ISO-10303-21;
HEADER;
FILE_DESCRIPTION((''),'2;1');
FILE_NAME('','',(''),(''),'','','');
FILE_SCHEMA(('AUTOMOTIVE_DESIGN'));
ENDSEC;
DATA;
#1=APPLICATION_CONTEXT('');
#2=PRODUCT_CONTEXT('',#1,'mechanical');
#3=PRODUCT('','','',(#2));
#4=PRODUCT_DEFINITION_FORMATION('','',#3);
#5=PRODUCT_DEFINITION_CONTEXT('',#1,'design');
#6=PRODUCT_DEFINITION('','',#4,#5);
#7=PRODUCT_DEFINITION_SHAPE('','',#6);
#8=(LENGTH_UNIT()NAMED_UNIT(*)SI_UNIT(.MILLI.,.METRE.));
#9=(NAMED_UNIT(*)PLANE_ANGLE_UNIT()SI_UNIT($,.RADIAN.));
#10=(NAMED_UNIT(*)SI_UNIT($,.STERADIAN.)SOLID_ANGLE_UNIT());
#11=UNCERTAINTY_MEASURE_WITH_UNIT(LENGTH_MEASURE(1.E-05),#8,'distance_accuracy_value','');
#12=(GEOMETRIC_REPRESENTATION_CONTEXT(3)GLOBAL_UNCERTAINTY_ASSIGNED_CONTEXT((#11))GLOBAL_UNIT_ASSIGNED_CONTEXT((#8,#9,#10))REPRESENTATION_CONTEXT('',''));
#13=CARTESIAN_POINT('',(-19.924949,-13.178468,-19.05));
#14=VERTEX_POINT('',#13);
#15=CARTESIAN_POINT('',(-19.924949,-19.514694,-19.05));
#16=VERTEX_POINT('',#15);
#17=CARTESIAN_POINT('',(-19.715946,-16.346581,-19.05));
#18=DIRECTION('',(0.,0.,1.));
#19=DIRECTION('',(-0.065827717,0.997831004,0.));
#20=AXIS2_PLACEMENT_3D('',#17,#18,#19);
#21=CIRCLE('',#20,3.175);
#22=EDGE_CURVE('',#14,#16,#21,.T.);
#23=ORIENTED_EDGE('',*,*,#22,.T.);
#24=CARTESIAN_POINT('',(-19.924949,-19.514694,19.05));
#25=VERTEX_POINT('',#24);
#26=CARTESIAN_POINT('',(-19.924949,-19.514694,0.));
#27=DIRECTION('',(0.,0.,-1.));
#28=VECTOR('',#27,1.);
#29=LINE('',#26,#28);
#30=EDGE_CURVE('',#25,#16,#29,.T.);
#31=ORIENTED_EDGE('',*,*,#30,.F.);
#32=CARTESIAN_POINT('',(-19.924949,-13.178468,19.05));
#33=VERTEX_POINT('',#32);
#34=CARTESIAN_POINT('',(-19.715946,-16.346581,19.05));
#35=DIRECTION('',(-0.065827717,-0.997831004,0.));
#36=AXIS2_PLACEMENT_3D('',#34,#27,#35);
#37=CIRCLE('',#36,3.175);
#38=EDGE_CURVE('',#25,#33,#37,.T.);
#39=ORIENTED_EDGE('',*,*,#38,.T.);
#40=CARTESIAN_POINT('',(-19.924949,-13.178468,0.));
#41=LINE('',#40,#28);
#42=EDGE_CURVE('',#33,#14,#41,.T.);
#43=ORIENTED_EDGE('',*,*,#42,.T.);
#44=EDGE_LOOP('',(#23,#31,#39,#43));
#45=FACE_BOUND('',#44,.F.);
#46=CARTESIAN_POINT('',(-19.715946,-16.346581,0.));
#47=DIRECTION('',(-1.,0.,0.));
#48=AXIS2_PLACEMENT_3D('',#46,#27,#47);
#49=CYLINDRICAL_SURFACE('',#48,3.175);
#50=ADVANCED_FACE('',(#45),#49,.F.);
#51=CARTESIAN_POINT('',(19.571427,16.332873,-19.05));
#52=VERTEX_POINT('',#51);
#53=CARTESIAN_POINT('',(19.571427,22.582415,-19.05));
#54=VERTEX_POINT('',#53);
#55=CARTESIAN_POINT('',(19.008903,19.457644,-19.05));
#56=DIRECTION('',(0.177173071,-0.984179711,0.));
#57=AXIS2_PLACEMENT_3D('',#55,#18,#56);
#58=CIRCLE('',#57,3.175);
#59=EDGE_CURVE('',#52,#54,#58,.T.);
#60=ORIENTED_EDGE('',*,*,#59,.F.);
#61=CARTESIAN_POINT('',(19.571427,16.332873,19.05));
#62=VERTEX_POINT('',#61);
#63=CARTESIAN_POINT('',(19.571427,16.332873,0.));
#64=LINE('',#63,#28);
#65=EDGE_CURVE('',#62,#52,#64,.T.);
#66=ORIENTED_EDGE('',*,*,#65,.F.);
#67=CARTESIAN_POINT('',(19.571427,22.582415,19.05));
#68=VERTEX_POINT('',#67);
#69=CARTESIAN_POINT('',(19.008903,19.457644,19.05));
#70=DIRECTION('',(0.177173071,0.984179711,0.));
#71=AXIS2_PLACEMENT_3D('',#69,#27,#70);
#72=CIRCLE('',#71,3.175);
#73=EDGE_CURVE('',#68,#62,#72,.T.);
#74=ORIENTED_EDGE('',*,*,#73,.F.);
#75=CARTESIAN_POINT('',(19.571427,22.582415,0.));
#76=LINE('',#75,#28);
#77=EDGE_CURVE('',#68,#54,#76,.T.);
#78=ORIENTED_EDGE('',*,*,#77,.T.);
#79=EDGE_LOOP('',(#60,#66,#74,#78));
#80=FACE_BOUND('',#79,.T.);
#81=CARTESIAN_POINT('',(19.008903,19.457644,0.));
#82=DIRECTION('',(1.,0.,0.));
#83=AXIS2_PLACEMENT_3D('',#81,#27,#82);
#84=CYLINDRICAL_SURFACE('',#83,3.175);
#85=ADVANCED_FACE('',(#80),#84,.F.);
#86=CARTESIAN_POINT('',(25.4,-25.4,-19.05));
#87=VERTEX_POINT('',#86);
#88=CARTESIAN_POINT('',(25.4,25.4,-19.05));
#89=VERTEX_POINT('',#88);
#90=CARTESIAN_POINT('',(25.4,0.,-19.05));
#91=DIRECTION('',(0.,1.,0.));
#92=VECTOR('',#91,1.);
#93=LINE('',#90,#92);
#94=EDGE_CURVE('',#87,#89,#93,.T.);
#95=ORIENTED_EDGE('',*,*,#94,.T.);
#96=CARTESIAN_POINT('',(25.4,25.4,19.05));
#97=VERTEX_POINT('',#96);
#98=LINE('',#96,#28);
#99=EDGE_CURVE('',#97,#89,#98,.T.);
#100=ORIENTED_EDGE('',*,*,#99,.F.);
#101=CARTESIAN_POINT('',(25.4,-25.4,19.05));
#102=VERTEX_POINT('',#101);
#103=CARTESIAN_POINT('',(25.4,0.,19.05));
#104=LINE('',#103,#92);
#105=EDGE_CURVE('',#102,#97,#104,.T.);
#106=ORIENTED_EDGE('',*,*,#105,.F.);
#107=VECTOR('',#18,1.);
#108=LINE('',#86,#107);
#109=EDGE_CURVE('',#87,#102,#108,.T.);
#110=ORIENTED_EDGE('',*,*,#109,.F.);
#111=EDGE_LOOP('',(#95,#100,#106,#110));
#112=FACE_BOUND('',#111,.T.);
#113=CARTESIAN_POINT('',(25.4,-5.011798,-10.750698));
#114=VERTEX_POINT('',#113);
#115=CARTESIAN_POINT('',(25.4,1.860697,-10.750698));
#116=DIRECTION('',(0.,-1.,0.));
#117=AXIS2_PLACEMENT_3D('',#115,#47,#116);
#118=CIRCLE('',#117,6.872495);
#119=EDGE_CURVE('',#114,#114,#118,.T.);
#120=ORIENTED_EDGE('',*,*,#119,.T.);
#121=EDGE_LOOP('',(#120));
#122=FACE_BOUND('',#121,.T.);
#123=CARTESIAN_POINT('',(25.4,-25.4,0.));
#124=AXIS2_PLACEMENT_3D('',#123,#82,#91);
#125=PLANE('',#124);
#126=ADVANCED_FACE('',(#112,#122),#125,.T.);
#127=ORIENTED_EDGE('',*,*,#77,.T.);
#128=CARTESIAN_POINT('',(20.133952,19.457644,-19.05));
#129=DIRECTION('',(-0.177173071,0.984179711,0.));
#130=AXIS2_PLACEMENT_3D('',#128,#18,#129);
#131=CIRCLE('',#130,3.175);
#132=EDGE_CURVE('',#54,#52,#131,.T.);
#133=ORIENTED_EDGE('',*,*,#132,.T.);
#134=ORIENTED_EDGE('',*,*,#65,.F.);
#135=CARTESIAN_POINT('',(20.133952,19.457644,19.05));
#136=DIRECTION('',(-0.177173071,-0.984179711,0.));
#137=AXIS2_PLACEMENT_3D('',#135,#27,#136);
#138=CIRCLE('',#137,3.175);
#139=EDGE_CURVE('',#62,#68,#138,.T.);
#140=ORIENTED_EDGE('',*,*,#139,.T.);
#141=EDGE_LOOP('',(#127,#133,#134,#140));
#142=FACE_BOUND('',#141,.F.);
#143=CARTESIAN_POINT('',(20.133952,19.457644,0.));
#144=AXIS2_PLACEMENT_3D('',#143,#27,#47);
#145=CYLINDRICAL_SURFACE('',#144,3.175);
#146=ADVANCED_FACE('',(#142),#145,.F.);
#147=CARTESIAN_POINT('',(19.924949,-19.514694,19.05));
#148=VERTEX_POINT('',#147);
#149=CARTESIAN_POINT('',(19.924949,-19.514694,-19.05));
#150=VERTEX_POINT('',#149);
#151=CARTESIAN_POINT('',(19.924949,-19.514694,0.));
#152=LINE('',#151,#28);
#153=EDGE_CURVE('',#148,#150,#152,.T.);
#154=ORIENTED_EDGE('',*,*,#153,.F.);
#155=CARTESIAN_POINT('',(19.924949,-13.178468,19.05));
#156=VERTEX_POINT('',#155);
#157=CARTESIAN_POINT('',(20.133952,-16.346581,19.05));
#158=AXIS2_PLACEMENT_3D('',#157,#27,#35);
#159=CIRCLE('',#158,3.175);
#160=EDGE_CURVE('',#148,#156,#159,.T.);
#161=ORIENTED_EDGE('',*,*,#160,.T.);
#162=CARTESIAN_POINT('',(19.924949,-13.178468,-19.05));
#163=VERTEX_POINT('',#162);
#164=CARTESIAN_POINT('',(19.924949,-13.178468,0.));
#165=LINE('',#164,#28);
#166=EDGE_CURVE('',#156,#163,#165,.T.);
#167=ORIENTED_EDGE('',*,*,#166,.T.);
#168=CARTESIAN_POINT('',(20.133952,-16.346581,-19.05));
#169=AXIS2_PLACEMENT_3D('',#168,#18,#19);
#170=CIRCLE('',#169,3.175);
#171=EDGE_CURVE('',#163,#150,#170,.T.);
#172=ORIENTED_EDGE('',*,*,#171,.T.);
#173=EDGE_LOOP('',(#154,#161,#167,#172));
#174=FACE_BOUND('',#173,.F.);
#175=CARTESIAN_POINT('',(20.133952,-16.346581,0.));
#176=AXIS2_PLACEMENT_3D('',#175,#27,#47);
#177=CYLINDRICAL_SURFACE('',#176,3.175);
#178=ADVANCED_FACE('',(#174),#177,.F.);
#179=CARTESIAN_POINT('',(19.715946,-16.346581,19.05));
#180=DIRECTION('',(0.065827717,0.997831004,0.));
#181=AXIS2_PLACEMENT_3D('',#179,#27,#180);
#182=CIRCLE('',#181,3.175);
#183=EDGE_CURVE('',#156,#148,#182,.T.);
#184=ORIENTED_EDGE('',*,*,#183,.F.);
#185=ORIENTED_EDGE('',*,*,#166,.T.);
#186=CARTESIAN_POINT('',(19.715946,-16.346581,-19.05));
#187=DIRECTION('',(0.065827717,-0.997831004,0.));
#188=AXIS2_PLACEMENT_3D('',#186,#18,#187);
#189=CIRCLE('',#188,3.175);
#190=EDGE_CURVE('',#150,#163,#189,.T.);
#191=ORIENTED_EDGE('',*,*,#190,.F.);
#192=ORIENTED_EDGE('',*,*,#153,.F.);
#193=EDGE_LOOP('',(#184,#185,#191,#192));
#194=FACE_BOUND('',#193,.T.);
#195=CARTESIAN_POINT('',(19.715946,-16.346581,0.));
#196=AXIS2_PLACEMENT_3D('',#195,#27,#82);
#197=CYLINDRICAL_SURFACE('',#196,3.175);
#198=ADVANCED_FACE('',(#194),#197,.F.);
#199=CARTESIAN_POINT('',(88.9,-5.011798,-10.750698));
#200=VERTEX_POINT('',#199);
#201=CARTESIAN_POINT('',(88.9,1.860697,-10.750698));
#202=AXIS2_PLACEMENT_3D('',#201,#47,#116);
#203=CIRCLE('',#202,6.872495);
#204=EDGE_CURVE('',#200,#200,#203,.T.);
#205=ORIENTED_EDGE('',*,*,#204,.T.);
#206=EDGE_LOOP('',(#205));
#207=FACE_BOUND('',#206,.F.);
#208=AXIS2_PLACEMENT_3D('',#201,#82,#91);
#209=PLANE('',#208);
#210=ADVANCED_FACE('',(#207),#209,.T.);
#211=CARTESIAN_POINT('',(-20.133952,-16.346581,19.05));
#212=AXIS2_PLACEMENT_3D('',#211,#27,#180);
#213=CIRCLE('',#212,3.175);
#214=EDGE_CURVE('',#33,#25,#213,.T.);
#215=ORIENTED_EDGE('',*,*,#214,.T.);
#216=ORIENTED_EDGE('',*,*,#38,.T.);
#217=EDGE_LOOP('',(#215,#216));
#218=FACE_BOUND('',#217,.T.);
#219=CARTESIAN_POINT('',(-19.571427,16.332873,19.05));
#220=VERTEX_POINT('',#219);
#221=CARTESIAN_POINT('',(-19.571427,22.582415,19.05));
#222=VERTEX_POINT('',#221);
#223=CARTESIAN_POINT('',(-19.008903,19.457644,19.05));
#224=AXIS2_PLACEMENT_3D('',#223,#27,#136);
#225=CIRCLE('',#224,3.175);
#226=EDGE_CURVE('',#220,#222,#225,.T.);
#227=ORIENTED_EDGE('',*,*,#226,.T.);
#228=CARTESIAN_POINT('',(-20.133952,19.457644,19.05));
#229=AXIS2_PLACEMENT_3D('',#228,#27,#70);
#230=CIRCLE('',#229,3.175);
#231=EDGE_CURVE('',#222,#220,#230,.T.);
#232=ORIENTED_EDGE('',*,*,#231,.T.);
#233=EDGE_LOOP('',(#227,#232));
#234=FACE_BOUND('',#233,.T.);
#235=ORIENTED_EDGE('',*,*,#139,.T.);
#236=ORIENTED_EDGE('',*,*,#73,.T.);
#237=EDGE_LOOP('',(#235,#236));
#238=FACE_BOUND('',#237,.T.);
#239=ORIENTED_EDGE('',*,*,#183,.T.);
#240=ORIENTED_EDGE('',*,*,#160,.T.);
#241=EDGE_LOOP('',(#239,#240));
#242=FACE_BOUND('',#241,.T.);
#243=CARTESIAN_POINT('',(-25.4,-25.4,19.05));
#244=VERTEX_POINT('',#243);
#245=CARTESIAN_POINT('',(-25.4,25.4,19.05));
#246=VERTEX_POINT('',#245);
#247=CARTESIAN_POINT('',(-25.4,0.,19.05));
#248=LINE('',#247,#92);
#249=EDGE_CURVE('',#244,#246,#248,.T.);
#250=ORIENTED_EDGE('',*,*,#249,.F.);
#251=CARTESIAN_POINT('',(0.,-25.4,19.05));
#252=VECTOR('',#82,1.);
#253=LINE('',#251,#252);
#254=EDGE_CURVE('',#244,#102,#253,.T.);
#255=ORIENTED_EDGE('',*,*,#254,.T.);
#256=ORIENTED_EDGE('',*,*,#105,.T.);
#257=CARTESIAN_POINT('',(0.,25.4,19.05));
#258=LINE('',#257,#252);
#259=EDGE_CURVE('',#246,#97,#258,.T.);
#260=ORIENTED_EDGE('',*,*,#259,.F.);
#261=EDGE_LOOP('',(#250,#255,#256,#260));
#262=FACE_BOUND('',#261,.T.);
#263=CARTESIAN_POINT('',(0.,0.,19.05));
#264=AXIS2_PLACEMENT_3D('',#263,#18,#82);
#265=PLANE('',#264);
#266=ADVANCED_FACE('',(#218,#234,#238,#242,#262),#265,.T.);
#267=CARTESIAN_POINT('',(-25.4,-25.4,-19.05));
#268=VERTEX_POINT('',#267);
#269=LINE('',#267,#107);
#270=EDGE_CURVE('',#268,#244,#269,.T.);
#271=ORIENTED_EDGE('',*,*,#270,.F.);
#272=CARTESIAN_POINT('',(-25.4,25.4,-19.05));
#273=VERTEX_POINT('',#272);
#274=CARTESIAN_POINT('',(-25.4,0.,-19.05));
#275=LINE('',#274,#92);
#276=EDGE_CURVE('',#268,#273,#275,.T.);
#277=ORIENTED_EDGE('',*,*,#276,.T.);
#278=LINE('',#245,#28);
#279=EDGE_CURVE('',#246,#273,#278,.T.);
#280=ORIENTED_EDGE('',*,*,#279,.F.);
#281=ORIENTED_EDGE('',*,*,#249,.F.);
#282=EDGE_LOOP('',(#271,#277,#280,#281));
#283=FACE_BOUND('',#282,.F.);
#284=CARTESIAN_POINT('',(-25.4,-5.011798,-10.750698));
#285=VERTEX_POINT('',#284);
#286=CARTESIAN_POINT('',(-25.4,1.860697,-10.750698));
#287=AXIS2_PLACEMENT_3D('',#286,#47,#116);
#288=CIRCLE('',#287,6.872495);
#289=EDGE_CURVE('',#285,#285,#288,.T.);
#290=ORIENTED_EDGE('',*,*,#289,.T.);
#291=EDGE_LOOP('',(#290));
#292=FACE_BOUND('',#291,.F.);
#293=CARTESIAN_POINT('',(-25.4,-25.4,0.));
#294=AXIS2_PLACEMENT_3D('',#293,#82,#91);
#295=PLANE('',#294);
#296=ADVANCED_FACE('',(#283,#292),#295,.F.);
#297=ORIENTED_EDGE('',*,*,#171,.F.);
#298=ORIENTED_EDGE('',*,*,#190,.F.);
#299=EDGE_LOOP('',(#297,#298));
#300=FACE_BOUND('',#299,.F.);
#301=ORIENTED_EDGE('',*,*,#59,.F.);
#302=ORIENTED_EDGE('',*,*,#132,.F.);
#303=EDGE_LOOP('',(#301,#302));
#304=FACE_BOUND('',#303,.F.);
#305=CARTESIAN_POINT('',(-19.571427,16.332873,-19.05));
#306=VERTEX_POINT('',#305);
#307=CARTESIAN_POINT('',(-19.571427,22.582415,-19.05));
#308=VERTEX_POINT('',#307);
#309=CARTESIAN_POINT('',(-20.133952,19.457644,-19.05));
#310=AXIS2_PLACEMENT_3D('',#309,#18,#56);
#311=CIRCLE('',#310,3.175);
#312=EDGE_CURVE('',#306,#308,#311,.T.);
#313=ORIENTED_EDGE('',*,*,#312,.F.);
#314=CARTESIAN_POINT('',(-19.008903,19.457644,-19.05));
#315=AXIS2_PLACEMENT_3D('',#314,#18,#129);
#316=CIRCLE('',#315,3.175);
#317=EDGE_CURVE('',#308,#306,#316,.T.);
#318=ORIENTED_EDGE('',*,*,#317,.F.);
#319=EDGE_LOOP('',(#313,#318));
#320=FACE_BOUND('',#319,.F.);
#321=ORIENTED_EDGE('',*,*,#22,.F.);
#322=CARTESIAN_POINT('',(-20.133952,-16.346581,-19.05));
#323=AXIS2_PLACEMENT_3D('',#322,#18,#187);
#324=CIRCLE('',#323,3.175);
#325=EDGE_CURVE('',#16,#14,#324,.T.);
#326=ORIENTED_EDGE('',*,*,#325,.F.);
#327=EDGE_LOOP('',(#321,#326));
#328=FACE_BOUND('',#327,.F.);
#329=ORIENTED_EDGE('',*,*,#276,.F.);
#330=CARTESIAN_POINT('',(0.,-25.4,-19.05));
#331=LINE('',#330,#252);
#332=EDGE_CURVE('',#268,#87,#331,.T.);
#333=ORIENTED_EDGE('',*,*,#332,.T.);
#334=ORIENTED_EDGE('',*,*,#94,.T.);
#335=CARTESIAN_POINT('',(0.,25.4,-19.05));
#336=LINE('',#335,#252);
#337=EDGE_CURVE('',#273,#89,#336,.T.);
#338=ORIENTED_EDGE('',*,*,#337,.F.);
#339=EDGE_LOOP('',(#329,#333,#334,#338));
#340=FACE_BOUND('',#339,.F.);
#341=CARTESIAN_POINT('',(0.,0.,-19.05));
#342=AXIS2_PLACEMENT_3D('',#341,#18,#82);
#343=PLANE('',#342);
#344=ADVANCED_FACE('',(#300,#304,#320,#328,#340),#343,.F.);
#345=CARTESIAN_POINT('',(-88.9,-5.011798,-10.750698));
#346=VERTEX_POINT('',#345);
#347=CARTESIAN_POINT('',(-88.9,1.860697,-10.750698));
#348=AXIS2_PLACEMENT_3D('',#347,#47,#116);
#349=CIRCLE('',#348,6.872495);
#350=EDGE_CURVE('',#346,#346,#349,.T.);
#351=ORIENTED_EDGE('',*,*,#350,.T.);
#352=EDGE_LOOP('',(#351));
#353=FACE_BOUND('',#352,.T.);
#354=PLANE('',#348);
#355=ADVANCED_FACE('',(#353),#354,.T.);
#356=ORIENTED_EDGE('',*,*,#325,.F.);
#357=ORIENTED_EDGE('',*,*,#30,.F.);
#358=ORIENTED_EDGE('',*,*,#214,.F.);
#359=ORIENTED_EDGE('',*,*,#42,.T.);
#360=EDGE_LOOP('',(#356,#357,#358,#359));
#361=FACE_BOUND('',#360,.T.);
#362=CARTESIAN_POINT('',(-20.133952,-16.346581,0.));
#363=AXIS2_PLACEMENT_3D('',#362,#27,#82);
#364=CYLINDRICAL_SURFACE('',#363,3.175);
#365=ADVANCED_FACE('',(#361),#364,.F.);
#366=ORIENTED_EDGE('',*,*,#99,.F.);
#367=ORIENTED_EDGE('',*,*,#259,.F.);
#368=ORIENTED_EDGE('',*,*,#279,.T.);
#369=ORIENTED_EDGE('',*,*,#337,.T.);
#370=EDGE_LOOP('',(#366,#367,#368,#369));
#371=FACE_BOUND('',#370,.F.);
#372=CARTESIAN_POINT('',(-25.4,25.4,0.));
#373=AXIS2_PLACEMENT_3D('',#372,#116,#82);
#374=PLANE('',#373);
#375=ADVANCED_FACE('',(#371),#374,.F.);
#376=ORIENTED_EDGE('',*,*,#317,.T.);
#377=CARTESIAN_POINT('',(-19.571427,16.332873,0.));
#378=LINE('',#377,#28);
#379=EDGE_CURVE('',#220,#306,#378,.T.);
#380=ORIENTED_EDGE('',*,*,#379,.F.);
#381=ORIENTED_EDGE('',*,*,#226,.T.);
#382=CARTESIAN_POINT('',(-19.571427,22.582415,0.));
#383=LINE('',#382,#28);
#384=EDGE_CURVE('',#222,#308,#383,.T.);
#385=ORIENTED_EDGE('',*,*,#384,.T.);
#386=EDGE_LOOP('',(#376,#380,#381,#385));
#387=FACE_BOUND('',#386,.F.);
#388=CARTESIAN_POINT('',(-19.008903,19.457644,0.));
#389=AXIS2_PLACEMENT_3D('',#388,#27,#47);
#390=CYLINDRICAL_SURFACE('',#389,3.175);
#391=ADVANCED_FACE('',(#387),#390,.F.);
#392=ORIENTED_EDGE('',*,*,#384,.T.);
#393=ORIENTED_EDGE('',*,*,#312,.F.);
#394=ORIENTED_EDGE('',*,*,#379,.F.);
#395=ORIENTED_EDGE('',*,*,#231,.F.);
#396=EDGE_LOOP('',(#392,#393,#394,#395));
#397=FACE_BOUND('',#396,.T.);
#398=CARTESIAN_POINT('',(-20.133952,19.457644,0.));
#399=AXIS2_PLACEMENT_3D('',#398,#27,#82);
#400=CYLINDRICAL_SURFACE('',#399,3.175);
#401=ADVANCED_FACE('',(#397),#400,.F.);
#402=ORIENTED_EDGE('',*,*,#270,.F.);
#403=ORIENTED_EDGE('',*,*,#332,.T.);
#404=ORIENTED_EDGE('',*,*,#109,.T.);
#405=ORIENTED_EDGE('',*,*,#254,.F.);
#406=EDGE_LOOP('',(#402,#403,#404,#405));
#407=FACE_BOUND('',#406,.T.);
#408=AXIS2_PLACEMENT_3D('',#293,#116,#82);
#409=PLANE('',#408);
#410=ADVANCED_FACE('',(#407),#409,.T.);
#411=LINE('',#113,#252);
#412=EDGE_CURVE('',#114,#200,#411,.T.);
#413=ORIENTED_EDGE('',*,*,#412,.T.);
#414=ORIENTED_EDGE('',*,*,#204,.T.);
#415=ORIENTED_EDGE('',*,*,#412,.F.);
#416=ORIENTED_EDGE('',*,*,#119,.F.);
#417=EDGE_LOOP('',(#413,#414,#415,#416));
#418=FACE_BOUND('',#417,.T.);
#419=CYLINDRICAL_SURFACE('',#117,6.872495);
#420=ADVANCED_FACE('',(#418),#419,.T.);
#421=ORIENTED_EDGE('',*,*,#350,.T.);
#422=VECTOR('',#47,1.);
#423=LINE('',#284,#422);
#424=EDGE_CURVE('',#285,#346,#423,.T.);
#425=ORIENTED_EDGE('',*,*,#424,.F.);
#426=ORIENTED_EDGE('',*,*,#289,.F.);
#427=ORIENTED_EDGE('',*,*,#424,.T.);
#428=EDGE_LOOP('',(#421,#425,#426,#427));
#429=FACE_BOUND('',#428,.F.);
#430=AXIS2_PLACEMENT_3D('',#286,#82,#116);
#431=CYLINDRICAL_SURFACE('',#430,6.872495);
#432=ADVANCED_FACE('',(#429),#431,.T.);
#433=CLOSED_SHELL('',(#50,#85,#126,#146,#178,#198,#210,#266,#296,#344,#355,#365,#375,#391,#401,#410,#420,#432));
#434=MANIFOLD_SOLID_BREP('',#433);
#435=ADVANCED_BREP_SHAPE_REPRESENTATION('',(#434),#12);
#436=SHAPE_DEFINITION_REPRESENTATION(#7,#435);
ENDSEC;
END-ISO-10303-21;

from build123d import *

# Parameters (mm, degrees)
F0_W     = 50.8
F0_H     = 50.8
F0_R     = 3.175
F1_DEPTH = 19.05
F2_R     = 6.872495
F3_DEPTH = 63.5


with BuildPart() as f1:
    # F0 (on Top) → F1 (new body, symmetric)
    with BuildSketch(Plane.XY):
        Rectangle(F0_W, F0_H)
        with Locations((-20.133952, -16.346581)):
            Circle(F0_R, mode=Mode.SUBTRACT)
        with Locations((19.715946, -16.346581)):
            Circle(F0_R, mode=Mode.SUBTRACT)
        with Locations((-20.133952, 19.457644)):
            Circle(F0_R, mode=Mode.SUBTRACT)
        with Locations((19.008903, 19.457644)):
            Circle(F0_R, mode=Mode.SUBTRACT)
    extrude(amount=F1_DEPTH, both=True)

    # F2 (on face) → F3 (join)
    with BuildSketch(Plane(origin=(-25.4, 0, 0), x_dir=(0, -1, 0), z_dir=(-1, 0, 0))):
        with Locations((-1.860697, -10.750698)):
            Circle(F2_R)
    extrude(amount=F3_DEPTH)

    # F4: F1 across plane


with BuildPart() as f1_1:
    add(f1.part)
    add(f1.part.mirror(Plane.YZ))


solid = f1_1.part
